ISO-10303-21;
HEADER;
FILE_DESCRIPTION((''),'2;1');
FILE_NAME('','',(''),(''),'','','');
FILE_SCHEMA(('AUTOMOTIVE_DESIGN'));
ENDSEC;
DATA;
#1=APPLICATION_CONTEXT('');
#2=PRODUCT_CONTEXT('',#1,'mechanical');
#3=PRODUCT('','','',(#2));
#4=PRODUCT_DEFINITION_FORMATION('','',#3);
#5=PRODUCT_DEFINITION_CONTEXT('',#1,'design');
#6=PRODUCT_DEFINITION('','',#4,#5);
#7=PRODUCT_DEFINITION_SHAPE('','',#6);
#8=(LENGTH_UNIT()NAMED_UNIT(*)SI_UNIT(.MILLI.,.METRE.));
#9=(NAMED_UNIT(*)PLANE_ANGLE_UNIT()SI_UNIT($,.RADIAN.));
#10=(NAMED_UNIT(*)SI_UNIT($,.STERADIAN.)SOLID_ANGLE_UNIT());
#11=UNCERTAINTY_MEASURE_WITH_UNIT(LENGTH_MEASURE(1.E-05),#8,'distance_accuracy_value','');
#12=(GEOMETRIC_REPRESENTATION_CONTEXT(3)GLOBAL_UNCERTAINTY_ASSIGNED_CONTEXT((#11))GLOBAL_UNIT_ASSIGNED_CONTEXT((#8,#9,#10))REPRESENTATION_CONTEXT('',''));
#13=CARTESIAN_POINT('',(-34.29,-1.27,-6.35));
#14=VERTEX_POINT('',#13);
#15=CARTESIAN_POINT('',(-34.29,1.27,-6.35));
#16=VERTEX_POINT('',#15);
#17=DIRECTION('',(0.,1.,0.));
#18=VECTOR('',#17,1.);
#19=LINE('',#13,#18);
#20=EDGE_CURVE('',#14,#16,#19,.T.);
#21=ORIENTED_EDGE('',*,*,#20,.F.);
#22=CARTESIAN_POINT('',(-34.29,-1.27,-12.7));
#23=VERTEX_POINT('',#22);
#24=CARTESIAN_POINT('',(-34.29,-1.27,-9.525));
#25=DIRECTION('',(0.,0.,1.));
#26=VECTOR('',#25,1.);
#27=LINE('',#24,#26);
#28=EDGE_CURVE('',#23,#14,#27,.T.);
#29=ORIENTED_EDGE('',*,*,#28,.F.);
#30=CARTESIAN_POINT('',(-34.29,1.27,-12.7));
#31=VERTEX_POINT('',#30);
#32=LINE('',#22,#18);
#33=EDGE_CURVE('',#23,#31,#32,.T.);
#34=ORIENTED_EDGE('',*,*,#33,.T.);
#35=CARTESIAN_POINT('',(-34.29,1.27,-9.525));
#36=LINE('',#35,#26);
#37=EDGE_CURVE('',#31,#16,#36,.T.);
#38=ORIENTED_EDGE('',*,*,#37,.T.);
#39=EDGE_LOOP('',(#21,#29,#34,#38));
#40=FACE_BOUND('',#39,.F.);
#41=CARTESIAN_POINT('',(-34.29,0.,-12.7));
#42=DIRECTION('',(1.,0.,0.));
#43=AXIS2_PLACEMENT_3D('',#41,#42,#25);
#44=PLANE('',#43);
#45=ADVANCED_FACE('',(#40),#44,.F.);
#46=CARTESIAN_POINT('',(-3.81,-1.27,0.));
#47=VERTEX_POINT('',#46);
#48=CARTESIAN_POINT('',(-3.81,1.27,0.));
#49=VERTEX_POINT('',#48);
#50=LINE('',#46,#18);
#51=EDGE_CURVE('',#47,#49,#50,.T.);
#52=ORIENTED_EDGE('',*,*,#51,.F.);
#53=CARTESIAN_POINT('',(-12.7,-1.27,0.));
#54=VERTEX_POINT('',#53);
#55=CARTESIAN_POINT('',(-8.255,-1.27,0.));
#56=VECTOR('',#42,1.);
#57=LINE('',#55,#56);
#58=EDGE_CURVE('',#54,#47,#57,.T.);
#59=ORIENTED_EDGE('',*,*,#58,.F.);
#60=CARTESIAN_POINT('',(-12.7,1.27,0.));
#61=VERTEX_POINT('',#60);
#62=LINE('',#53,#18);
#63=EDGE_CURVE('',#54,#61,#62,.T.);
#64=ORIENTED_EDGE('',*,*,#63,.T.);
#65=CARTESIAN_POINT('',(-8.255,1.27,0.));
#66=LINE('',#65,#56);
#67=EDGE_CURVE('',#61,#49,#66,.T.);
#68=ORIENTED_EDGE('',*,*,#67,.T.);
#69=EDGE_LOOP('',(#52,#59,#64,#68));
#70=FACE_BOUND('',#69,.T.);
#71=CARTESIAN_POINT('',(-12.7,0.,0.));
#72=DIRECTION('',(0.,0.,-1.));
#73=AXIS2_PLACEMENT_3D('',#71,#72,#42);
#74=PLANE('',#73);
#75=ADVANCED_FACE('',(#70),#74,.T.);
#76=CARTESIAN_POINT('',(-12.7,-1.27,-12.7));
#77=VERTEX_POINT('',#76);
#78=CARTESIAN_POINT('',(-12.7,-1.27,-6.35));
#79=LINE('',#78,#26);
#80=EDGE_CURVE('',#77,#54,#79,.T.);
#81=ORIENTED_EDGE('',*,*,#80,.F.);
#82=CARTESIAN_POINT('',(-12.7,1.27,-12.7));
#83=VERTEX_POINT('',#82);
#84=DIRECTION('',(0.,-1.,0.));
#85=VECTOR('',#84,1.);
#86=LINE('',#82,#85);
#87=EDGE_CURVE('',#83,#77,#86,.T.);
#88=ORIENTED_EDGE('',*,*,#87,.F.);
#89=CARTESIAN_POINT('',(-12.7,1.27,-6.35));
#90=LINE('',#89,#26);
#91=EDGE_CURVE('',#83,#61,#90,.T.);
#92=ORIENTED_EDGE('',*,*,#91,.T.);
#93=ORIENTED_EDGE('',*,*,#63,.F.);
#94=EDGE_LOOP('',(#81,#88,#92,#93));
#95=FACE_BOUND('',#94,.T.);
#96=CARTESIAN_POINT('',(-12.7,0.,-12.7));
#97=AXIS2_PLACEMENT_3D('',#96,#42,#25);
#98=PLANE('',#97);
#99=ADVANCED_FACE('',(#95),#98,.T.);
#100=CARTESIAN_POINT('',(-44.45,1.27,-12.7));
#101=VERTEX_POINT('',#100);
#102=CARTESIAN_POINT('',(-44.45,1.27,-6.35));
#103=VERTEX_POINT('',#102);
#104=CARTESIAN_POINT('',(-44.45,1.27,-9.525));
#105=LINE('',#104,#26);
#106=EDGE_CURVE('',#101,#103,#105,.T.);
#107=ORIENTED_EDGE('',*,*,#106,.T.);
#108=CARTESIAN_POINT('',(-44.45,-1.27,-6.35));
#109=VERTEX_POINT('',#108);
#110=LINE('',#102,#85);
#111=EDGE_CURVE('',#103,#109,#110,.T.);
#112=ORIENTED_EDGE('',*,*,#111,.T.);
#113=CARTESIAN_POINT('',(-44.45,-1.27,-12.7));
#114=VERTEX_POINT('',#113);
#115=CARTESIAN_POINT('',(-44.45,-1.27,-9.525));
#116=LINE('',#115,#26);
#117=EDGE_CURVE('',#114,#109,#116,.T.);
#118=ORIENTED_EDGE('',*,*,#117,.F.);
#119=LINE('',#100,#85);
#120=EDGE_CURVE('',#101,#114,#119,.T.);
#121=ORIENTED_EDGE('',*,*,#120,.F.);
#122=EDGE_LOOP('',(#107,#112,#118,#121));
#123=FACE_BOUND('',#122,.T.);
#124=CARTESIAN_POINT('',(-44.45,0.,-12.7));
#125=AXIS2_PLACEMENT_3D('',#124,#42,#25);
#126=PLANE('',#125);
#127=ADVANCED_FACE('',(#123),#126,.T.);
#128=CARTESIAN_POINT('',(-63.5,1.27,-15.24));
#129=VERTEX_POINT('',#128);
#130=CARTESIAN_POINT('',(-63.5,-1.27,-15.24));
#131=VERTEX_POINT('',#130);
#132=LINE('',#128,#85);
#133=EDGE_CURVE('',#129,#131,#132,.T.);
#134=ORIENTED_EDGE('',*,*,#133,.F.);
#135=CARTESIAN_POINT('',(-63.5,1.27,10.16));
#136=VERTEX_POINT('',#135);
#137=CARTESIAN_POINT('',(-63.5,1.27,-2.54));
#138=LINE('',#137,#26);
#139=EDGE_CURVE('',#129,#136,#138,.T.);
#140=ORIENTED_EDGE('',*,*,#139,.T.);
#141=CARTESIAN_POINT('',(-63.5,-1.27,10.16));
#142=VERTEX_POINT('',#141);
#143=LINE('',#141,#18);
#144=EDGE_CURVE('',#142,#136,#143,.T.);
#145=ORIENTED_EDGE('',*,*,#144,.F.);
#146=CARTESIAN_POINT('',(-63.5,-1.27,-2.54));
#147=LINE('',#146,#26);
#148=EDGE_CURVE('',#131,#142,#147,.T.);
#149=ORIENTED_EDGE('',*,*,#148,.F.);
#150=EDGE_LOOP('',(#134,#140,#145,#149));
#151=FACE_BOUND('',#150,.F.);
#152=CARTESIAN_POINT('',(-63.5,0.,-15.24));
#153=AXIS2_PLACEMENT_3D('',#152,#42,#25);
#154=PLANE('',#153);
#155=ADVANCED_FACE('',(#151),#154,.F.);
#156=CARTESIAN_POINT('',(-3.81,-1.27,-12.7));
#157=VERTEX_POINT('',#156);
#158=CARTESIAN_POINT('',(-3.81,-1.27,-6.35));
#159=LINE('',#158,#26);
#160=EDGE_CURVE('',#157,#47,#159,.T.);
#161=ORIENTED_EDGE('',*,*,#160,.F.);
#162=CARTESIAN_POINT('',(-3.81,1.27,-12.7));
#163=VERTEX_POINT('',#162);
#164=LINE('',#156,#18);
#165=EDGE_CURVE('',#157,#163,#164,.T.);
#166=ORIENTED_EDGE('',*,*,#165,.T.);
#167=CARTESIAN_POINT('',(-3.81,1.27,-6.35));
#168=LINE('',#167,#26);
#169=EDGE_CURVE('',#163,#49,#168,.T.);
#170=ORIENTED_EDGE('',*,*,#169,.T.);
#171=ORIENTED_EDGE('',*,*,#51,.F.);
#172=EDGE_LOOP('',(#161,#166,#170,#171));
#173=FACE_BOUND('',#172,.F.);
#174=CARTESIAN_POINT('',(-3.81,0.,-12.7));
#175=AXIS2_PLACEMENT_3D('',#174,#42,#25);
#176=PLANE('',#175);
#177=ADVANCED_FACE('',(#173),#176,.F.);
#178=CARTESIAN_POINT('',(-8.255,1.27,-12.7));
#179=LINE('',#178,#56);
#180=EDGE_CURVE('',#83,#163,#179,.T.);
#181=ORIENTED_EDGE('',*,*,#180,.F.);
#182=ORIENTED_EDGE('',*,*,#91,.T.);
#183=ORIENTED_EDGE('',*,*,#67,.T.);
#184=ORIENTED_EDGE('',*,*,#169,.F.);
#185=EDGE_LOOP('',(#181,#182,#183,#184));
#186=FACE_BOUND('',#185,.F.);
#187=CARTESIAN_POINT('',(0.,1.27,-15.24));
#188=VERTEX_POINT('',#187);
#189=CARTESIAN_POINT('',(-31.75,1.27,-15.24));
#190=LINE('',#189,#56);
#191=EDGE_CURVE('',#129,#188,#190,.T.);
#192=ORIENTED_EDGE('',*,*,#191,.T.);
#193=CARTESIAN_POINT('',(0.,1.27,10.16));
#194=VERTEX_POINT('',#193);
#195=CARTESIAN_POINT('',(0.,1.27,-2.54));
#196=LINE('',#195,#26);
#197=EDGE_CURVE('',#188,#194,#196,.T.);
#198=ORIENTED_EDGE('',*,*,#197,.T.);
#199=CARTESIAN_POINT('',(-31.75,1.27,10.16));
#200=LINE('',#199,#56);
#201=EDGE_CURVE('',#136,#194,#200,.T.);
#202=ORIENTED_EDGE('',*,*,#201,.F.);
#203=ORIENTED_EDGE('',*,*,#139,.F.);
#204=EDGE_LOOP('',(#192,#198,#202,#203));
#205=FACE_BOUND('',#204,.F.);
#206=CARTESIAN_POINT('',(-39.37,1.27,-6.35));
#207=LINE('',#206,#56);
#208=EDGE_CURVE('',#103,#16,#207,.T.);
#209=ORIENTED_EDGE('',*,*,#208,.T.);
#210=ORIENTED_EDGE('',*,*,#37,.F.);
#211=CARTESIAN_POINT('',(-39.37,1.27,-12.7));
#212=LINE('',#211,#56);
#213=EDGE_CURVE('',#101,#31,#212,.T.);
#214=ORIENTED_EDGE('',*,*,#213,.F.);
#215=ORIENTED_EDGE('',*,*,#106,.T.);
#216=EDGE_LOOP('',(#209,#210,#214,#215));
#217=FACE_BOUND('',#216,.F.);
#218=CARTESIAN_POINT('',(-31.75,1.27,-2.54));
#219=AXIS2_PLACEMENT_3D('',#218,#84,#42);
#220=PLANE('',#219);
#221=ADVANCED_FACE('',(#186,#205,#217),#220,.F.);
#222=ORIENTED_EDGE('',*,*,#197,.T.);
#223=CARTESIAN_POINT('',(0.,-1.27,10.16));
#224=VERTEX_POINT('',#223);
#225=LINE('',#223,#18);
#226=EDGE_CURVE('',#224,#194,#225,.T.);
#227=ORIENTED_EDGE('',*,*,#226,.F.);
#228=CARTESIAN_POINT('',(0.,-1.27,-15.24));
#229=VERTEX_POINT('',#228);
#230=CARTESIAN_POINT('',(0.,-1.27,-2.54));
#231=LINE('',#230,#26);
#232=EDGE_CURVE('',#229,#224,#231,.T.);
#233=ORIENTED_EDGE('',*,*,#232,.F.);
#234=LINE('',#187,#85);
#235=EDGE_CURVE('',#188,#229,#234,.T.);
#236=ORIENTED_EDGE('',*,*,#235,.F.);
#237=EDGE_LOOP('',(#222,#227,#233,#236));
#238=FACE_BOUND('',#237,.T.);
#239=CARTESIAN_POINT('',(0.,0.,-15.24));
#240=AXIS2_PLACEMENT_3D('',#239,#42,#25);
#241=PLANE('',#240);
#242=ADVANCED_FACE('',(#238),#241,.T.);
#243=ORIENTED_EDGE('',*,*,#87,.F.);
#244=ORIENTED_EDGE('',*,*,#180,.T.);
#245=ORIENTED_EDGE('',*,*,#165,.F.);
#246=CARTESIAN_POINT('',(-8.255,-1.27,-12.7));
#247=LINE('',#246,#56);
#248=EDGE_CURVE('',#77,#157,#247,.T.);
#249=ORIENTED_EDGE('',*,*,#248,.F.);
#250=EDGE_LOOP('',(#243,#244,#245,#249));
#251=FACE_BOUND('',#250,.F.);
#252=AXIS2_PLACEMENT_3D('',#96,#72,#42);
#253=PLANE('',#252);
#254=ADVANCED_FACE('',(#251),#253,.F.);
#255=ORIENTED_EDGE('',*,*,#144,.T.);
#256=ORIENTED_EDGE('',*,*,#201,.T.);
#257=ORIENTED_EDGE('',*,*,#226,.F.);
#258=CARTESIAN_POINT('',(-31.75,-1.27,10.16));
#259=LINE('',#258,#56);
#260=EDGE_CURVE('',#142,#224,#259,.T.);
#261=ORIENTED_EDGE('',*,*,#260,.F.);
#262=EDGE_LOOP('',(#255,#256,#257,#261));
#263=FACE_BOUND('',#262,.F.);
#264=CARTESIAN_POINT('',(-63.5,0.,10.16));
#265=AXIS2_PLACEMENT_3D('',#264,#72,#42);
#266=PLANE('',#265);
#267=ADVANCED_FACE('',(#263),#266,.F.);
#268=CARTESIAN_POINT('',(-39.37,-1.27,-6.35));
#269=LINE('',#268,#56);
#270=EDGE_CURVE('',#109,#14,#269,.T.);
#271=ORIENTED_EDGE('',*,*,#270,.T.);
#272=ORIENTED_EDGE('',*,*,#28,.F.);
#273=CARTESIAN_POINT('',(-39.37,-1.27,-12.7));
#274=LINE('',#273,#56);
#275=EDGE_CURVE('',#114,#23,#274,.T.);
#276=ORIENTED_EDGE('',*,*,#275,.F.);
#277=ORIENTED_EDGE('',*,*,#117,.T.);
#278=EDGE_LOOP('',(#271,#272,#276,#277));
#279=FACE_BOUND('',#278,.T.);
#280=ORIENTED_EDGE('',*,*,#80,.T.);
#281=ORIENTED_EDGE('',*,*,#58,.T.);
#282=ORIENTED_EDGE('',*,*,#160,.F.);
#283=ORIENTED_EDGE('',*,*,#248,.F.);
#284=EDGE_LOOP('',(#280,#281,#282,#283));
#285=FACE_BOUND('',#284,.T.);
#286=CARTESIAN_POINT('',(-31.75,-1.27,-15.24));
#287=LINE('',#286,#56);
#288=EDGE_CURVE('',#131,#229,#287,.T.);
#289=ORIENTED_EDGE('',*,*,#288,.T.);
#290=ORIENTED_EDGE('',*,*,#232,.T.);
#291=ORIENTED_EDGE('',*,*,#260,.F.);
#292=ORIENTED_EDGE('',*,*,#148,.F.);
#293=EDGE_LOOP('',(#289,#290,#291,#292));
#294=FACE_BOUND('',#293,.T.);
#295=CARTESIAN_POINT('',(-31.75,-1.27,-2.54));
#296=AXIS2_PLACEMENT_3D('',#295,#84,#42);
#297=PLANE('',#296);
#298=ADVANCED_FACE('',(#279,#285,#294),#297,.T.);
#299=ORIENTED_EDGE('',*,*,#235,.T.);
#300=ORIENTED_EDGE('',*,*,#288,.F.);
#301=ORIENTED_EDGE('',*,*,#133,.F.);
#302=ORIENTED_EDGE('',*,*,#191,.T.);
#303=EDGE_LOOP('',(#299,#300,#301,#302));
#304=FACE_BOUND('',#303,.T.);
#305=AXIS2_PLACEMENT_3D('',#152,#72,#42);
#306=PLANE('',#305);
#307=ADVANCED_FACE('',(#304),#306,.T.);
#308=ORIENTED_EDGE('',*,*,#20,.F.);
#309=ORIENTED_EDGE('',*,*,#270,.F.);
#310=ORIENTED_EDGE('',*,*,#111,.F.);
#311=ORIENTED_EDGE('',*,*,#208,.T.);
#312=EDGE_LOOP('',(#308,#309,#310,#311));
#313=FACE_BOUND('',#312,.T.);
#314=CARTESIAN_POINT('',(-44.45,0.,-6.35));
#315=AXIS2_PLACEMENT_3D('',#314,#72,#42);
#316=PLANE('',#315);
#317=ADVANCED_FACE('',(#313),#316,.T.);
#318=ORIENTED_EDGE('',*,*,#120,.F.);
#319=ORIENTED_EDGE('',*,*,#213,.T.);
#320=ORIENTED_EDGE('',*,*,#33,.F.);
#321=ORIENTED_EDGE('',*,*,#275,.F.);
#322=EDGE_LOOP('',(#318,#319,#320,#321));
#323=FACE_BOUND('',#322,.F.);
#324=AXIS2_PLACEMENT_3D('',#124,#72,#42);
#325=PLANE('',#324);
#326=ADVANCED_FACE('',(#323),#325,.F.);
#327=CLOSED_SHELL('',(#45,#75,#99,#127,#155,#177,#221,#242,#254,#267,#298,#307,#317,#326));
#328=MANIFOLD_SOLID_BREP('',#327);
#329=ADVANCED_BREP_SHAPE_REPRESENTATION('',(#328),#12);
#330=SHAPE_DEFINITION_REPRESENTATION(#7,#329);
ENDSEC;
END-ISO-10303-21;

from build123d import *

# Parameters (mm, degrees)
F0_W     = 63.5
F0_H     = 25.4
F0_W_2   = 10.16
F0_H_2   = 6.35
F0_W_3   = 8.89
F0_H_3   = 12.7
F1_DEPTH = 1.27


with BuildPart() as f1:
    # F0 (on Front) → F1 (new body, symmetric)
    with BuildSketch(Plane.XZ):
        with Locations((-31.75, -2.54)):
            Rectangle(F0_W, F0_H)
        with Locations((-39.37, -9.525)):
            Rectangle(F0_W_2, F0_H_2, mode=Mode.SUBTRACT)
        with Locations((-8.255, -6.35)):
            Rectangle(F0_W_3, F0_H_3, mode=Mode.SUBTRACT)
    extrude(amount=F1_DEPTH, both=True)


solid = f1.part
